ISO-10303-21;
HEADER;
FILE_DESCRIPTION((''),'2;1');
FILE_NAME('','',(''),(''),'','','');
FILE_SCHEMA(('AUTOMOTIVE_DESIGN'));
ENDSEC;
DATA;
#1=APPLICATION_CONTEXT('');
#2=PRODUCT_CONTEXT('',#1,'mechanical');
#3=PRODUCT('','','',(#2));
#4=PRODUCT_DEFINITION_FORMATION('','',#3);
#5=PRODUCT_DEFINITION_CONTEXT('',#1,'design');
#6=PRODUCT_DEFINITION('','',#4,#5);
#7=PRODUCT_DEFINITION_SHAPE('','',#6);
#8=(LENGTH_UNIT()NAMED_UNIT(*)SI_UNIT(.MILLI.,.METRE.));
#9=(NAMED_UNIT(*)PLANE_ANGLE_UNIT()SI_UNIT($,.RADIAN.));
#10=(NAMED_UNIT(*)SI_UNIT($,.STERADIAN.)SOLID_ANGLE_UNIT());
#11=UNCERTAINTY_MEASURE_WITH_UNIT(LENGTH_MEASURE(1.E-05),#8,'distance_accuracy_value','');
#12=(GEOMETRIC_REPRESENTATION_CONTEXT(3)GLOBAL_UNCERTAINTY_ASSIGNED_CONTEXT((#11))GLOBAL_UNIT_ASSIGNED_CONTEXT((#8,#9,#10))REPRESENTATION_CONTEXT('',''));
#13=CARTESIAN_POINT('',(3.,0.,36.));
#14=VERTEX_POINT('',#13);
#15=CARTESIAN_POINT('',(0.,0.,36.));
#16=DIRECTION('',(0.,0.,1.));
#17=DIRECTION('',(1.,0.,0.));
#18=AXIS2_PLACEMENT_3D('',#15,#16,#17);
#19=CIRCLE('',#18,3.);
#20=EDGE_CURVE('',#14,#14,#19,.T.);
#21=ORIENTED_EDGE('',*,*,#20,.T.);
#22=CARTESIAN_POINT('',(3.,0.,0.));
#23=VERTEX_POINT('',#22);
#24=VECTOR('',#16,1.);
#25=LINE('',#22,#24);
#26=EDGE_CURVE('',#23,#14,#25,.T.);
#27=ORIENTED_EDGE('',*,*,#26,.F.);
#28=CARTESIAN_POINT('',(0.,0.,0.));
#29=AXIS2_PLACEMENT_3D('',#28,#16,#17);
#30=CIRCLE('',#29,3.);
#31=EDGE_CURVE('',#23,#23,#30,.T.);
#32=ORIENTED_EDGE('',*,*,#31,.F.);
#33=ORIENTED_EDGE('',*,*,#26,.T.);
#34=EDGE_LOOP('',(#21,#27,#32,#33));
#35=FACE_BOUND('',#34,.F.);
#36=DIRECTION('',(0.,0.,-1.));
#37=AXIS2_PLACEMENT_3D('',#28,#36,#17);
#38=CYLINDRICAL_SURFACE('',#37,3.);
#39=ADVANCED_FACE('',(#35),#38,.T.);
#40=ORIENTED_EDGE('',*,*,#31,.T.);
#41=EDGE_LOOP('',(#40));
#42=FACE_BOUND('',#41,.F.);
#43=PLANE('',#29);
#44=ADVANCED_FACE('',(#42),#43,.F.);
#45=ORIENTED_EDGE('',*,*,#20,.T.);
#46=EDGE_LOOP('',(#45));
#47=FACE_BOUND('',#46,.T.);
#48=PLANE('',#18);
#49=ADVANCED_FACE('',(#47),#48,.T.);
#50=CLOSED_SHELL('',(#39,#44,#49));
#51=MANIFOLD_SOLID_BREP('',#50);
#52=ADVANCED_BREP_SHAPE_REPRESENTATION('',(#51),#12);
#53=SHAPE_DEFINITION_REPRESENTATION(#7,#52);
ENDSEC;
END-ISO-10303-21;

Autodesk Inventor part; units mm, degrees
ref_plane "YZ Plane" through (0, 0, 0) normal (1, 0, 0) x (0, 1, 0)
ref_plane "XZ Plane" through (0, 0, 0) normal (0, 1, 0) x (-1, 0, 0)
ref_plane "XY Plane" through (0, 0, 0) normal (0, 0, 1) x (1, 0, 0)
sketch "Sketch1" plane through (0, 0, 0) normal (0, 0, 1) x (1, 0, 0)
  circle A0 centre (0, 0) radius 3
  dimension "d0" = 6
extrude "Extrusion1" add sketch "Sketch1" along normal blind 36
properties part number "pin" material "Steel"
